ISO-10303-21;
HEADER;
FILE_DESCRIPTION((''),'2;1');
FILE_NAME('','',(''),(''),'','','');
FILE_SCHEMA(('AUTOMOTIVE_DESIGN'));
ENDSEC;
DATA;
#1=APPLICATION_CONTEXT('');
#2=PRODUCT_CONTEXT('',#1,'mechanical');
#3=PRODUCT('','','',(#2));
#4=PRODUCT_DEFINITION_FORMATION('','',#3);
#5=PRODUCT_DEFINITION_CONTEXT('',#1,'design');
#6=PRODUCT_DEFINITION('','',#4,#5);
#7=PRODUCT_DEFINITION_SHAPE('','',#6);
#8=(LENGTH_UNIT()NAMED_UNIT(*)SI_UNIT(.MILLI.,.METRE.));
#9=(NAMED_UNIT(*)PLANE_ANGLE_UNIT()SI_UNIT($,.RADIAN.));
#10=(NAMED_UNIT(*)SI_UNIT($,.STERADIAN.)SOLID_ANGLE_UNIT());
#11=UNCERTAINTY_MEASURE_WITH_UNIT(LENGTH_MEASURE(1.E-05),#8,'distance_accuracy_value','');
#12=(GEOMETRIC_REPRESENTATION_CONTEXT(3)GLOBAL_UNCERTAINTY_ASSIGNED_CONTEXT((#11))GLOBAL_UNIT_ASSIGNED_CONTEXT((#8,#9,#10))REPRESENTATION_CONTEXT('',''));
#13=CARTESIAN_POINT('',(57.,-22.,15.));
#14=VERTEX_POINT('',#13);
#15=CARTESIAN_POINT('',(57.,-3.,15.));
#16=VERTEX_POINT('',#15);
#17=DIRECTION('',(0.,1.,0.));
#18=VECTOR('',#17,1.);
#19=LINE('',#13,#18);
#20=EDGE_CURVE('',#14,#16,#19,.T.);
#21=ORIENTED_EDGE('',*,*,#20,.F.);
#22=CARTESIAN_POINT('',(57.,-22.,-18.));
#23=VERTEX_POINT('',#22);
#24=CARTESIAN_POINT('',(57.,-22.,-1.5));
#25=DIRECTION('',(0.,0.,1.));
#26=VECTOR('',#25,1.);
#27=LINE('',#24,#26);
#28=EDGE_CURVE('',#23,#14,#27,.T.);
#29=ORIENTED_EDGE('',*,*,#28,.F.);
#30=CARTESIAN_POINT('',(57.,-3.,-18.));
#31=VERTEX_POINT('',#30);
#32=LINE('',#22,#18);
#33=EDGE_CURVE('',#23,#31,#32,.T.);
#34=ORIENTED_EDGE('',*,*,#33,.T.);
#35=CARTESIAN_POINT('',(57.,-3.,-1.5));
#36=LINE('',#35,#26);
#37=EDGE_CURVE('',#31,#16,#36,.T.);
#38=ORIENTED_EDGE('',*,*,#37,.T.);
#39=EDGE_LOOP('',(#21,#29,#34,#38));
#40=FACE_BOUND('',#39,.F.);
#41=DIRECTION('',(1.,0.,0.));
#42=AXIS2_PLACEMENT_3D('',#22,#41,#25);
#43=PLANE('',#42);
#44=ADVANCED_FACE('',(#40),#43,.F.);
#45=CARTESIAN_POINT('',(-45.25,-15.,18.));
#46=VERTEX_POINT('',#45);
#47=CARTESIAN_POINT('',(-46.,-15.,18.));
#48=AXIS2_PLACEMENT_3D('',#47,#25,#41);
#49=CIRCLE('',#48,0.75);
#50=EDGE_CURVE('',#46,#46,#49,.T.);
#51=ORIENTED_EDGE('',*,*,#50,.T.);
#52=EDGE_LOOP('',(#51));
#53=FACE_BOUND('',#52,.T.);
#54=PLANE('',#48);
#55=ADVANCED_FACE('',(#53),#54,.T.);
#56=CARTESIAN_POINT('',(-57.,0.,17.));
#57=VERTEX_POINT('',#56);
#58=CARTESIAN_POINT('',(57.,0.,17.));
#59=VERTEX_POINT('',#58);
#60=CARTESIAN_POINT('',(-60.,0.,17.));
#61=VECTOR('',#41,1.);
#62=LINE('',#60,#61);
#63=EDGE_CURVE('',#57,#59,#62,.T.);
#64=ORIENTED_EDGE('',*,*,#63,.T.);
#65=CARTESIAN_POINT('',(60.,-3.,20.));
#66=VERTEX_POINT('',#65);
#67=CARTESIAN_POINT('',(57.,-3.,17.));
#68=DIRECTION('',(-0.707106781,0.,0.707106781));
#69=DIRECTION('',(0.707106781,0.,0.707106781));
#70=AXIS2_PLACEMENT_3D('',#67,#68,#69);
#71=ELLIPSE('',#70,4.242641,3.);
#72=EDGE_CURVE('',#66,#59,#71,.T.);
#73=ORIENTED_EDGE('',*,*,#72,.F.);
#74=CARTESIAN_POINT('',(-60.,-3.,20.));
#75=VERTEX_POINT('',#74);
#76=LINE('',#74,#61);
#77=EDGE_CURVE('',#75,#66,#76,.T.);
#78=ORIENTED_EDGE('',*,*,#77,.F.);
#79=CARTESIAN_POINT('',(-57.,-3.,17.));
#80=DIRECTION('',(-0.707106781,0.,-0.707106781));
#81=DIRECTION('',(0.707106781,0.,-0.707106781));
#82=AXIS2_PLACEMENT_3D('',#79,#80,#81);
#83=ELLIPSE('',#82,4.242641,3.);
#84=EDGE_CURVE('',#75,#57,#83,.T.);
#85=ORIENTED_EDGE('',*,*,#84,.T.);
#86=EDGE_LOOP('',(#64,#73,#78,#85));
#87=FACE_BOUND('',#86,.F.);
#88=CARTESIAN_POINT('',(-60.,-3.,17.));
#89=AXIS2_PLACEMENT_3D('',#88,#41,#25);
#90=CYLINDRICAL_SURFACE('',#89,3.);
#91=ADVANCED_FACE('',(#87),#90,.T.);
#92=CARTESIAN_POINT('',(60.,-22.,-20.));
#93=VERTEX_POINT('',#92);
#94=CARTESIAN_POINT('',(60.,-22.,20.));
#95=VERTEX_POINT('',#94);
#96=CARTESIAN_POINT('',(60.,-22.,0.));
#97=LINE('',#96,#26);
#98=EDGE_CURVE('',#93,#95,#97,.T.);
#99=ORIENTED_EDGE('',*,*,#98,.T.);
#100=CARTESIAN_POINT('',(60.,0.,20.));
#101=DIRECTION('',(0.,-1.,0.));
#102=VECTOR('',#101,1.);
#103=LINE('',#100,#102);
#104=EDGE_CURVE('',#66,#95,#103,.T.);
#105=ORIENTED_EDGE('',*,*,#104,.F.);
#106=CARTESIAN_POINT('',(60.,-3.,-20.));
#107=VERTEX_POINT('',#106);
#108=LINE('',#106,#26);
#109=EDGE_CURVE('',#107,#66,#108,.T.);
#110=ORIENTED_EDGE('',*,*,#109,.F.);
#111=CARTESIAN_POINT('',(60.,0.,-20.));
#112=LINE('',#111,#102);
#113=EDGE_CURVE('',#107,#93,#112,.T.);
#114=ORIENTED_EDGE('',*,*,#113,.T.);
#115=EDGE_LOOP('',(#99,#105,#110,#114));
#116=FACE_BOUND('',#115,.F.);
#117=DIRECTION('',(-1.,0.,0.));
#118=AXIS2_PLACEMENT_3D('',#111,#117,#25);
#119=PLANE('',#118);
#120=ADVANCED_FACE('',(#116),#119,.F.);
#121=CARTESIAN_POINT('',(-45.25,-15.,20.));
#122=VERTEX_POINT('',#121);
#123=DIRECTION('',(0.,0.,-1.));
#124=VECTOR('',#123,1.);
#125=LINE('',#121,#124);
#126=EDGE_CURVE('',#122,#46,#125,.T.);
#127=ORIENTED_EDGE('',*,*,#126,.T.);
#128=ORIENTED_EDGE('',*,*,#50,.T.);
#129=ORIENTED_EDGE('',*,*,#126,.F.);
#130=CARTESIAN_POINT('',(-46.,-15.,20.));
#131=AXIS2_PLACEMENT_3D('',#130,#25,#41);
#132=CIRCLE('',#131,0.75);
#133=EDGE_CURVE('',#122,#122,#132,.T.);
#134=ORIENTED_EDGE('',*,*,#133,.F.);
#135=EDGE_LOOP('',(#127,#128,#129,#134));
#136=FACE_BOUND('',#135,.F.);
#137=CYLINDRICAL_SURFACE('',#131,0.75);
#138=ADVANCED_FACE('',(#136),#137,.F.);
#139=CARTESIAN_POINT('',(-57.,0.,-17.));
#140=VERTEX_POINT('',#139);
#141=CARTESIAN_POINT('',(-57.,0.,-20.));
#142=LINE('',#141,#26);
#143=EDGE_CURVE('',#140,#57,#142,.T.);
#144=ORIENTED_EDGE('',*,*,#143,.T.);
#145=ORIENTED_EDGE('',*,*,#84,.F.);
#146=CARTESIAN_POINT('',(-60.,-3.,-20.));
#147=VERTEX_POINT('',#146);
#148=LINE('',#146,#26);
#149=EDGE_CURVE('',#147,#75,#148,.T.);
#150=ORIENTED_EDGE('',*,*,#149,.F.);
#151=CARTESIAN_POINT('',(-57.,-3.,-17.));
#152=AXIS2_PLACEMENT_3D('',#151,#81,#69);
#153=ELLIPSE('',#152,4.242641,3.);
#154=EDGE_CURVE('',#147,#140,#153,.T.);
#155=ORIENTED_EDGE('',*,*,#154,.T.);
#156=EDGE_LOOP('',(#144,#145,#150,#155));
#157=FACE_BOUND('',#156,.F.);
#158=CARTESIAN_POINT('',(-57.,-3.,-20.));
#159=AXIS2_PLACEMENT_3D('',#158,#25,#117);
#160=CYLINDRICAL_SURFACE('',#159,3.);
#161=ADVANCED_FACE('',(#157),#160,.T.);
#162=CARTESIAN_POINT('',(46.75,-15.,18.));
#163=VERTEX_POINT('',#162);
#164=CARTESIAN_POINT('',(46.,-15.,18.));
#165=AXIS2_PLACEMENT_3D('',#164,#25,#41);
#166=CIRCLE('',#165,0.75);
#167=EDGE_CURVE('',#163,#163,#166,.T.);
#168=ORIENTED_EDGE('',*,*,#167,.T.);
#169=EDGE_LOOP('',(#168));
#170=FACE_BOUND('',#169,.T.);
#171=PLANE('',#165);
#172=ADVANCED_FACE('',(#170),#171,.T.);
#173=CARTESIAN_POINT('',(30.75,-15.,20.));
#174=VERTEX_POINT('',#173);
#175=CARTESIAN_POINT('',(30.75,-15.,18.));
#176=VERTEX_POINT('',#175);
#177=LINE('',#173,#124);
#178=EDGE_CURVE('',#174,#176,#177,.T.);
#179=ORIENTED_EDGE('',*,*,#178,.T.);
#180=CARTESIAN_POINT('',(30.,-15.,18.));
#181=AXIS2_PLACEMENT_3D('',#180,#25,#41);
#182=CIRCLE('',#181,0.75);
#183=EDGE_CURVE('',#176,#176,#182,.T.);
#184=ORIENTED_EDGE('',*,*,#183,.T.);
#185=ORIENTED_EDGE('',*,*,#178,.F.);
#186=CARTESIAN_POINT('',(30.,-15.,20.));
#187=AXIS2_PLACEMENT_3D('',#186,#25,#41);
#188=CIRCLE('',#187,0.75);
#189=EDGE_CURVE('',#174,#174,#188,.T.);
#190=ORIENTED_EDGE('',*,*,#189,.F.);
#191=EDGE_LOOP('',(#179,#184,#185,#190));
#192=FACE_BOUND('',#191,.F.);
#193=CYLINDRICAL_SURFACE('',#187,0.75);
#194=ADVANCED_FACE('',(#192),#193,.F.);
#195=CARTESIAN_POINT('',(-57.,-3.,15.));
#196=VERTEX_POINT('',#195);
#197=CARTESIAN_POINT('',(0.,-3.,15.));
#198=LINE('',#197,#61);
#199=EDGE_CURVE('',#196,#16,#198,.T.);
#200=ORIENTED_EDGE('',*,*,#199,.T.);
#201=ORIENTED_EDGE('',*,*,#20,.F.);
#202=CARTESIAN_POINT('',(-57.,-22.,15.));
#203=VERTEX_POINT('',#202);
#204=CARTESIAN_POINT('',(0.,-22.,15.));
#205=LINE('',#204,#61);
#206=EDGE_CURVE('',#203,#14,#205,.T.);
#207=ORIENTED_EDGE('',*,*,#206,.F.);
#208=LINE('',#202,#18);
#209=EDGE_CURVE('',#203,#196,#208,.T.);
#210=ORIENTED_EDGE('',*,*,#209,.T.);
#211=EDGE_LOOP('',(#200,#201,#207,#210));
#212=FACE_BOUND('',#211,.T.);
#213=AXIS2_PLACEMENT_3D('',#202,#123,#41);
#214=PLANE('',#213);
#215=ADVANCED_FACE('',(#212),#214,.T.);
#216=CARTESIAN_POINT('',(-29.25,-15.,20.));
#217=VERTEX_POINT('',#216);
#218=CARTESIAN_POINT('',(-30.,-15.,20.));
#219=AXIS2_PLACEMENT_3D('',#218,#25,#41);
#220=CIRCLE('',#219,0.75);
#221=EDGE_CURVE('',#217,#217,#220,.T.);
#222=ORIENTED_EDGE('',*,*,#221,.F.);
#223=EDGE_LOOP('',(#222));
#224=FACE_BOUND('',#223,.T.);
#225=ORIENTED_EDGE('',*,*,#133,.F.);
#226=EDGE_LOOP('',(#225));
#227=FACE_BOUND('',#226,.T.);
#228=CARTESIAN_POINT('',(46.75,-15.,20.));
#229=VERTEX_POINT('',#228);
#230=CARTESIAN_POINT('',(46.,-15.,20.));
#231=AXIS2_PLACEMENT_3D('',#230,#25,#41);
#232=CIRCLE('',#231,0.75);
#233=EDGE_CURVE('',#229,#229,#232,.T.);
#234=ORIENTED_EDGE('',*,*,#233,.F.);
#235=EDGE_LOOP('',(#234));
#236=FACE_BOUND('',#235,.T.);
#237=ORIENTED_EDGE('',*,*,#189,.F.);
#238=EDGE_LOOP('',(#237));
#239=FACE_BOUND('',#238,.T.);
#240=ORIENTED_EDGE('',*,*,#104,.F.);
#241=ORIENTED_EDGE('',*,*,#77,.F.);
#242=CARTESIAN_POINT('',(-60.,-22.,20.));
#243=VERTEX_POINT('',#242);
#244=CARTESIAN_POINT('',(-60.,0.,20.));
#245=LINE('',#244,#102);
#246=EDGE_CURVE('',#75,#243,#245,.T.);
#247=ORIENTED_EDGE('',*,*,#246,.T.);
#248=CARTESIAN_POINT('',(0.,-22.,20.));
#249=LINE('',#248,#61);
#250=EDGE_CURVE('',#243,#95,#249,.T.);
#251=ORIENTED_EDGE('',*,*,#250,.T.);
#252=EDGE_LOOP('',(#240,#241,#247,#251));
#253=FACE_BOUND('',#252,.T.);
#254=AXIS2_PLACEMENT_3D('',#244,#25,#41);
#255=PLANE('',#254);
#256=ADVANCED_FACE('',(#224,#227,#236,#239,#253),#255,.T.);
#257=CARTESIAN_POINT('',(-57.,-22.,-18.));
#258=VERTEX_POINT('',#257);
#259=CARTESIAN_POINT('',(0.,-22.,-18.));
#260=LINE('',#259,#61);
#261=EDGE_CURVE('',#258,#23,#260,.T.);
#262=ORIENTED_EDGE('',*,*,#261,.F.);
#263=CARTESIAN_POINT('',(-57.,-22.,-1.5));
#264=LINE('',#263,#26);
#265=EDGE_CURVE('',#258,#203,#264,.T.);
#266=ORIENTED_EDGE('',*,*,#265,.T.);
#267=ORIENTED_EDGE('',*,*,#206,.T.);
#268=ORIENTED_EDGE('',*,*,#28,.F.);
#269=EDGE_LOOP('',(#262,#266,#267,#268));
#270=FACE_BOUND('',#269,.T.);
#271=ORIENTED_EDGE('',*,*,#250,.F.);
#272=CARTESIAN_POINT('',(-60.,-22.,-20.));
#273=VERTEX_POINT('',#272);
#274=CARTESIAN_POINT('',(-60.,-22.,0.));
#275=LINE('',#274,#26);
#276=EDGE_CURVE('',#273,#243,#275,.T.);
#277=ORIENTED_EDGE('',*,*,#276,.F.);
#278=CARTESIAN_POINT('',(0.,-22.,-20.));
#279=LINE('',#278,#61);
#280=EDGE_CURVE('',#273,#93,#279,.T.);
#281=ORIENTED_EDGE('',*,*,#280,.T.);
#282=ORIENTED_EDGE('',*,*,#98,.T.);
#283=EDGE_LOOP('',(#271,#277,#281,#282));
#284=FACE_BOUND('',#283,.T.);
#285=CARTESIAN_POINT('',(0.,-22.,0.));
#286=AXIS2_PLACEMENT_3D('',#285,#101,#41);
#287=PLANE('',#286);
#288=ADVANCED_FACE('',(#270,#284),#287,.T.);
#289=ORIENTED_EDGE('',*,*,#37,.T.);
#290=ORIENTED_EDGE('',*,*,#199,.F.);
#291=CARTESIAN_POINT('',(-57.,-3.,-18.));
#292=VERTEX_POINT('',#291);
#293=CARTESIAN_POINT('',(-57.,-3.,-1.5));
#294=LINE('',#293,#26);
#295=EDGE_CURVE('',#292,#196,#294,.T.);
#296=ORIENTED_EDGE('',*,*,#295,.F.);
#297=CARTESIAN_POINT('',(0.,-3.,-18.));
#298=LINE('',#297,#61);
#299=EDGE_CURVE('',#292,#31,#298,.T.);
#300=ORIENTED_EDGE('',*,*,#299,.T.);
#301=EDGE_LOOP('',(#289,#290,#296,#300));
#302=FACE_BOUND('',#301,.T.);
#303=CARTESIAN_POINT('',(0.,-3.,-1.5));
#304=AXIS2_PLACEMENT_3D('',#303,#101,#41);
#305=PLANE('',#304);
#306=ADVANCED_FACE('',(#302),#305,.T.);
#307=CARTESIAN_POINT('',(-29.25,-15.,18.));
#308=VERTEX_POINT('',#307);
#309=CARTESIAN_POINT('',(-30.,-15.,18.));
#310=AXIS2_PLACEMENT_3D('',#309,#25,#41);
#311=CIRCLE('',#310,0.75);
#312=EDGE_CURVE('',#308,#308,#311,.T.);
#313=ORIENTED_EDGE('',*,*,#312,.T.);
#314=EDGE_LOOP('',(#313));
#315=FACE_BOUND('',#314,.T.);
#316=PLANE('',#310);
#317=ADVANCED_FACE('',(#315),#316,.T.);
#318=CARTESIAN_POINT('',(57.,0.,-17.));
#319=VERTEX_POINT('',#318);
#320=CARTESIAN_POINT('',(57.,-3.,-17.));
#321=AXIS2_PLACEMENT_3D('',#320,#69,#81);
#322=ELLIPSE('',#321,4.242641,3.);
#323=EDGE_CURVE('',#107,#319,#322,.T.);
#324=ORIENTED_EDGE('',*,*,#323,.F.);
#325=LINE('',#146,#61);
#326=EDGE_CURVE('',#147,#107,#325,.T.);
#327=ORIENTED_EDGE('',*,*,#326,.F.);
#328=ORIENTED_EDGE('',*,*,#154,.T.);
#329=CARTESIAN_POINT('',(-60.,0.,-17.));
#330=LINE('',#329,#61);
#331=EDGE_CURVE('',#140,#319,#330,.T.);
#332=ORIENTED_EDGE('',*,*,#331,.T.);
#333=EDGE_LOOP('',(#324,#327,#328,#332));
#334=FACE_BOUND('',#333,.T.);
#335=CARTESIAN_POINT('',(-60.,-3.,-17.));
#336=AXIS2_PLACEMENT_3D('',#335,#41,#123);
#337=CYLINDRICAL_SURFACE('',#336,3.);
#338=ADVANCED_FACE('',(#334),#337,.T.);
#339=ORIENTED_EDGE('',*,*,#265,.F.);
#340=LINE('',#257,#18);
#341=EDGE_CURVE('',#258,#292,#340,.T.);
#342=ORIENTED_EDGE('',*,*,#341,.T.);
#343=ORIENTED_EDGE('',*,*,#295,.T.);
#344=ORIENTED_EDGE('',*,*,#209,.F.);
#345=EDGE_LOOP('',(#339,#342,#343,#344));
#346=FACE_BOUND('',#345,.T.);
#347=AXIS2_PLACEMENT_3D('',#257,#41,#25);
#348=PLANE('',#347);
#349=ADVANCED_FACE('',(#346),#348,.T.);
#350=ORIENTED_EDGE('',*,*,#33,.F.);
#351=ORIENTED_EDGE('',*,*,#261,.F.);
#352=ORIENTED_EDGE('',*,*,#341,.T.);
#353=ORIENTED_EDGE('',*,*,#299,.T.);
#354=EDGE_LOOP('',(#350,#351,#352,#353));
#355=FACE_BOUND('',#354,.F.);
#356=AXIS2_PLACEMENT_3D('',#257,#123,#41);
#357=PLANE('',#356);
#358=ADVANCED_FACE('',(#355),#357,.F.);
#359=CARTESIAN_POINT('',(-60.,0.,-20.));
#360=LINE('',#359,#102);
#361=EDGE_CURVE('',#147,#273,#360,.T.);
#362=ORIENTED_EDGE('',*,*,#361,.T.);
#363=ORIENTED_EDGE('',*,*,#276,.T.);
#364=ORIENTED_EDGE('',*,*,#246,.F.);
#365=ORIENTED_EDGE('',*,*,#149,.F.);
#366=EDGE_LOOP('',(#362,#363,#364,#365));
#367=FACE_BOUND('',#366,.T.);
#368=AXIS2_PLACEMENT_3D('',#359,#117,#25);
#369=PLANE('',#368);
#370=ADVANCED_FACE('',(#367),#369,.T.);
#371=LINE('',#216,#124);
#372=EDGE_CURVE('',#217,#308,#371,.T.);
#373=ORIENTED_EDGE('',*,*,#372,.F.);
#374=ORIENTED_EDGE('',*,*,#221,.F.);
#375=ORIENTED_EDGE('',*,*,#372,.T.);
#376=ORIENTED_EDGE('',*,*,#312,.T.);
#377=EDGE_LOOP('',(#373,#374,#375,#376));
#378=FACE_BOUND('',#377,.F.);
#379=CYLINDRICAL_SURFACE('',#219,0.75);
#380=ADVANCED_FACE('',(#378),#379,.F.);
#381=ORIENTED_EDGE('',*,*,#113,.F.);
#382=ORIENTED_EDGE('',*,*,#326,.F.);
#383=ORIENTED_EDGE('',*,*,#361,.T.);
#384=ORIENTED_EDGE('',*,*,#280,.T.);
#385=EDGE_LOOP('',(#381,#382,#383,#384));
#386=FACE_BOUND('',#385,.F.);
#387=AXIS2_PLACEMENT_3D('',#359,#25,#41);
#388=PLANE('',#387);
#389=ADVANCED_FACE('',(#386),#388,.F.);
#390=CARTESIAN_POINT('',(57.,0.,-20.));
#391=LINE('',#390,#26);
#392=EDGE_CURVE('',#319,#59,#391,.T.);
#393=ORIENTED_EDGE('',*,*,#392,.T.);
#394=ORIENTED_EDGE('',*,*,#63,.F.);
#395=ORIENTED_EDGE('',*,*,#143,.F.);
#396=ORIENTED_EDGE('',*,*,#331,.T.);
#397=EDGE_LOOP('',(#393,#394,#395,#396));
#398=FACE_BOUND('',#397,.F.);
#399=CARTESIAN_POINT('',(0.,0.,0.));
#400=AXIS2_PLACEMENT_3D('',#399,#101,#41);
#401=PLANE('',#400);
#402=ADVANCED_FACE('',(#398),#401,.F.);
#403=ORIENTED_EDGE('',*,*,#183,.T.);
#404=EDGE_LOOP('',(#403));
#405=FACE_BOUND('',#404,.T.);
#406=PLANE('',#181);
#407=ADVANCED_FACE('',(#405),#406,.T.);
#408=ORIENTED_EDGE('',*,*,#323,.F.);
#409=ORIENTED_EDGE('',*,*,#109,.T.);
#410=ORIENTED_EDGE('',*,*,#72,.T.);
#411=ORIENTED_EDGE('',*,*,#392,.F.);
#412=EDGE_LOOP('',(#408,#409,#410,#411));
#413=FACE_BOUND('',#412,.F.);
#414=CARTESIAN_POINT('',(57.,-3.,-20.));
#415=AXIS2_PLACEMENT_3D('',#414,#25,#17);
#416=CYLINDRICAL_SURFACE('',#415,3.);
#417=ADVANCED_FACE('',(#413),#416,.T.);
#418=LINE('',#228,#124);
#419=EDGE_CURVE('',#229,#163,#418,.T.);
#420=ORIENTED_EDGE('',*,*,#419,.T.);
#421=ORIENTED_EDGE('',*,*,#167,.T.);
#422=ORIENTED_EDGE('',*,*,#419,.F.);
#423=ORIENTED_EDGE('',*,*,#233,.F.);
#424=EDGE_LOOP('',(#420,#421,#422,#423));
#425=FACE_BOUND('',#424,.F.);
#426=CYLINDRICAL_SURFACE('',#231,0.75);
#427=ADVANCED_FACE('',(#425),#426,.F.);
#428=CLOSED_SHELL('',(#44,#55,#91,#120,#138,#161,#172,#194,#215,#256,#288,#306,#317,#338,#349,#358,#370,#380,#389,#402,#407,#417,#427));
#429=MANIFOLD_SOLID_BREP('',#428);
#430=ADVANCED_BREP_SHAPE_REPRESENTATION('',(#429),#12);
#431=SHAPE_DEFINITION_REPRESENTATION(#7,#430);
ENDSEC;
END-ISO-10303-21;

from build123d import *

# Parameters (mm, degrees)
F0_W     = 120
F0_H     = 40
F1_DEPTH = 22
F2_W     = 114
F2_H     = 33
F3_DEPTH = 19
F4_R     = 3
F5_R     = 0.75
F6_DEPTH = 2


with BuildPart() as f1:
    # F0 (on Front) → F1 (new body)
    with BuildSketch(Plane.XZ):
        Rectangle(F0_W, F0_H)
    extrude(amount=F1_DEPTH)

    # F2 (on face) → F3 (cut)
    with BuildSketch(Plane.XZ.offset(22)):
        with Locations((0, -1.5)):
            Rectangle(F2_W, F2_H)
    extrude(amount=-F3_DEPTH, mode=Mode.SUBTRACT)

    # F4
    f4_edges = [f1.edges().sort_by_distance(p)[0] for p in [
        (0, 0, 20),
        (-60, 0, 0),
        (0, 0, -20),
        (60, 0, 0),
    ]]
    fillet(f4_edges, radius=F4_R)

    # F5 (on face) → F6 (cut)
    with BuildSketch(Plane.XY.offset(20)):
        with Locations((-46, -15)):
            Circle(F5_R)
        with Locations((-30, -15)):
            Circle(F5_R)
        with Locations((30, -15)):
            Circle(F5_R)
        with Locations((46, -15)):
            Circle(F5_R)
    extrude(amount=-F6_DEPTH, mode=Mode.SUBTRACT)


solid = f1.part
